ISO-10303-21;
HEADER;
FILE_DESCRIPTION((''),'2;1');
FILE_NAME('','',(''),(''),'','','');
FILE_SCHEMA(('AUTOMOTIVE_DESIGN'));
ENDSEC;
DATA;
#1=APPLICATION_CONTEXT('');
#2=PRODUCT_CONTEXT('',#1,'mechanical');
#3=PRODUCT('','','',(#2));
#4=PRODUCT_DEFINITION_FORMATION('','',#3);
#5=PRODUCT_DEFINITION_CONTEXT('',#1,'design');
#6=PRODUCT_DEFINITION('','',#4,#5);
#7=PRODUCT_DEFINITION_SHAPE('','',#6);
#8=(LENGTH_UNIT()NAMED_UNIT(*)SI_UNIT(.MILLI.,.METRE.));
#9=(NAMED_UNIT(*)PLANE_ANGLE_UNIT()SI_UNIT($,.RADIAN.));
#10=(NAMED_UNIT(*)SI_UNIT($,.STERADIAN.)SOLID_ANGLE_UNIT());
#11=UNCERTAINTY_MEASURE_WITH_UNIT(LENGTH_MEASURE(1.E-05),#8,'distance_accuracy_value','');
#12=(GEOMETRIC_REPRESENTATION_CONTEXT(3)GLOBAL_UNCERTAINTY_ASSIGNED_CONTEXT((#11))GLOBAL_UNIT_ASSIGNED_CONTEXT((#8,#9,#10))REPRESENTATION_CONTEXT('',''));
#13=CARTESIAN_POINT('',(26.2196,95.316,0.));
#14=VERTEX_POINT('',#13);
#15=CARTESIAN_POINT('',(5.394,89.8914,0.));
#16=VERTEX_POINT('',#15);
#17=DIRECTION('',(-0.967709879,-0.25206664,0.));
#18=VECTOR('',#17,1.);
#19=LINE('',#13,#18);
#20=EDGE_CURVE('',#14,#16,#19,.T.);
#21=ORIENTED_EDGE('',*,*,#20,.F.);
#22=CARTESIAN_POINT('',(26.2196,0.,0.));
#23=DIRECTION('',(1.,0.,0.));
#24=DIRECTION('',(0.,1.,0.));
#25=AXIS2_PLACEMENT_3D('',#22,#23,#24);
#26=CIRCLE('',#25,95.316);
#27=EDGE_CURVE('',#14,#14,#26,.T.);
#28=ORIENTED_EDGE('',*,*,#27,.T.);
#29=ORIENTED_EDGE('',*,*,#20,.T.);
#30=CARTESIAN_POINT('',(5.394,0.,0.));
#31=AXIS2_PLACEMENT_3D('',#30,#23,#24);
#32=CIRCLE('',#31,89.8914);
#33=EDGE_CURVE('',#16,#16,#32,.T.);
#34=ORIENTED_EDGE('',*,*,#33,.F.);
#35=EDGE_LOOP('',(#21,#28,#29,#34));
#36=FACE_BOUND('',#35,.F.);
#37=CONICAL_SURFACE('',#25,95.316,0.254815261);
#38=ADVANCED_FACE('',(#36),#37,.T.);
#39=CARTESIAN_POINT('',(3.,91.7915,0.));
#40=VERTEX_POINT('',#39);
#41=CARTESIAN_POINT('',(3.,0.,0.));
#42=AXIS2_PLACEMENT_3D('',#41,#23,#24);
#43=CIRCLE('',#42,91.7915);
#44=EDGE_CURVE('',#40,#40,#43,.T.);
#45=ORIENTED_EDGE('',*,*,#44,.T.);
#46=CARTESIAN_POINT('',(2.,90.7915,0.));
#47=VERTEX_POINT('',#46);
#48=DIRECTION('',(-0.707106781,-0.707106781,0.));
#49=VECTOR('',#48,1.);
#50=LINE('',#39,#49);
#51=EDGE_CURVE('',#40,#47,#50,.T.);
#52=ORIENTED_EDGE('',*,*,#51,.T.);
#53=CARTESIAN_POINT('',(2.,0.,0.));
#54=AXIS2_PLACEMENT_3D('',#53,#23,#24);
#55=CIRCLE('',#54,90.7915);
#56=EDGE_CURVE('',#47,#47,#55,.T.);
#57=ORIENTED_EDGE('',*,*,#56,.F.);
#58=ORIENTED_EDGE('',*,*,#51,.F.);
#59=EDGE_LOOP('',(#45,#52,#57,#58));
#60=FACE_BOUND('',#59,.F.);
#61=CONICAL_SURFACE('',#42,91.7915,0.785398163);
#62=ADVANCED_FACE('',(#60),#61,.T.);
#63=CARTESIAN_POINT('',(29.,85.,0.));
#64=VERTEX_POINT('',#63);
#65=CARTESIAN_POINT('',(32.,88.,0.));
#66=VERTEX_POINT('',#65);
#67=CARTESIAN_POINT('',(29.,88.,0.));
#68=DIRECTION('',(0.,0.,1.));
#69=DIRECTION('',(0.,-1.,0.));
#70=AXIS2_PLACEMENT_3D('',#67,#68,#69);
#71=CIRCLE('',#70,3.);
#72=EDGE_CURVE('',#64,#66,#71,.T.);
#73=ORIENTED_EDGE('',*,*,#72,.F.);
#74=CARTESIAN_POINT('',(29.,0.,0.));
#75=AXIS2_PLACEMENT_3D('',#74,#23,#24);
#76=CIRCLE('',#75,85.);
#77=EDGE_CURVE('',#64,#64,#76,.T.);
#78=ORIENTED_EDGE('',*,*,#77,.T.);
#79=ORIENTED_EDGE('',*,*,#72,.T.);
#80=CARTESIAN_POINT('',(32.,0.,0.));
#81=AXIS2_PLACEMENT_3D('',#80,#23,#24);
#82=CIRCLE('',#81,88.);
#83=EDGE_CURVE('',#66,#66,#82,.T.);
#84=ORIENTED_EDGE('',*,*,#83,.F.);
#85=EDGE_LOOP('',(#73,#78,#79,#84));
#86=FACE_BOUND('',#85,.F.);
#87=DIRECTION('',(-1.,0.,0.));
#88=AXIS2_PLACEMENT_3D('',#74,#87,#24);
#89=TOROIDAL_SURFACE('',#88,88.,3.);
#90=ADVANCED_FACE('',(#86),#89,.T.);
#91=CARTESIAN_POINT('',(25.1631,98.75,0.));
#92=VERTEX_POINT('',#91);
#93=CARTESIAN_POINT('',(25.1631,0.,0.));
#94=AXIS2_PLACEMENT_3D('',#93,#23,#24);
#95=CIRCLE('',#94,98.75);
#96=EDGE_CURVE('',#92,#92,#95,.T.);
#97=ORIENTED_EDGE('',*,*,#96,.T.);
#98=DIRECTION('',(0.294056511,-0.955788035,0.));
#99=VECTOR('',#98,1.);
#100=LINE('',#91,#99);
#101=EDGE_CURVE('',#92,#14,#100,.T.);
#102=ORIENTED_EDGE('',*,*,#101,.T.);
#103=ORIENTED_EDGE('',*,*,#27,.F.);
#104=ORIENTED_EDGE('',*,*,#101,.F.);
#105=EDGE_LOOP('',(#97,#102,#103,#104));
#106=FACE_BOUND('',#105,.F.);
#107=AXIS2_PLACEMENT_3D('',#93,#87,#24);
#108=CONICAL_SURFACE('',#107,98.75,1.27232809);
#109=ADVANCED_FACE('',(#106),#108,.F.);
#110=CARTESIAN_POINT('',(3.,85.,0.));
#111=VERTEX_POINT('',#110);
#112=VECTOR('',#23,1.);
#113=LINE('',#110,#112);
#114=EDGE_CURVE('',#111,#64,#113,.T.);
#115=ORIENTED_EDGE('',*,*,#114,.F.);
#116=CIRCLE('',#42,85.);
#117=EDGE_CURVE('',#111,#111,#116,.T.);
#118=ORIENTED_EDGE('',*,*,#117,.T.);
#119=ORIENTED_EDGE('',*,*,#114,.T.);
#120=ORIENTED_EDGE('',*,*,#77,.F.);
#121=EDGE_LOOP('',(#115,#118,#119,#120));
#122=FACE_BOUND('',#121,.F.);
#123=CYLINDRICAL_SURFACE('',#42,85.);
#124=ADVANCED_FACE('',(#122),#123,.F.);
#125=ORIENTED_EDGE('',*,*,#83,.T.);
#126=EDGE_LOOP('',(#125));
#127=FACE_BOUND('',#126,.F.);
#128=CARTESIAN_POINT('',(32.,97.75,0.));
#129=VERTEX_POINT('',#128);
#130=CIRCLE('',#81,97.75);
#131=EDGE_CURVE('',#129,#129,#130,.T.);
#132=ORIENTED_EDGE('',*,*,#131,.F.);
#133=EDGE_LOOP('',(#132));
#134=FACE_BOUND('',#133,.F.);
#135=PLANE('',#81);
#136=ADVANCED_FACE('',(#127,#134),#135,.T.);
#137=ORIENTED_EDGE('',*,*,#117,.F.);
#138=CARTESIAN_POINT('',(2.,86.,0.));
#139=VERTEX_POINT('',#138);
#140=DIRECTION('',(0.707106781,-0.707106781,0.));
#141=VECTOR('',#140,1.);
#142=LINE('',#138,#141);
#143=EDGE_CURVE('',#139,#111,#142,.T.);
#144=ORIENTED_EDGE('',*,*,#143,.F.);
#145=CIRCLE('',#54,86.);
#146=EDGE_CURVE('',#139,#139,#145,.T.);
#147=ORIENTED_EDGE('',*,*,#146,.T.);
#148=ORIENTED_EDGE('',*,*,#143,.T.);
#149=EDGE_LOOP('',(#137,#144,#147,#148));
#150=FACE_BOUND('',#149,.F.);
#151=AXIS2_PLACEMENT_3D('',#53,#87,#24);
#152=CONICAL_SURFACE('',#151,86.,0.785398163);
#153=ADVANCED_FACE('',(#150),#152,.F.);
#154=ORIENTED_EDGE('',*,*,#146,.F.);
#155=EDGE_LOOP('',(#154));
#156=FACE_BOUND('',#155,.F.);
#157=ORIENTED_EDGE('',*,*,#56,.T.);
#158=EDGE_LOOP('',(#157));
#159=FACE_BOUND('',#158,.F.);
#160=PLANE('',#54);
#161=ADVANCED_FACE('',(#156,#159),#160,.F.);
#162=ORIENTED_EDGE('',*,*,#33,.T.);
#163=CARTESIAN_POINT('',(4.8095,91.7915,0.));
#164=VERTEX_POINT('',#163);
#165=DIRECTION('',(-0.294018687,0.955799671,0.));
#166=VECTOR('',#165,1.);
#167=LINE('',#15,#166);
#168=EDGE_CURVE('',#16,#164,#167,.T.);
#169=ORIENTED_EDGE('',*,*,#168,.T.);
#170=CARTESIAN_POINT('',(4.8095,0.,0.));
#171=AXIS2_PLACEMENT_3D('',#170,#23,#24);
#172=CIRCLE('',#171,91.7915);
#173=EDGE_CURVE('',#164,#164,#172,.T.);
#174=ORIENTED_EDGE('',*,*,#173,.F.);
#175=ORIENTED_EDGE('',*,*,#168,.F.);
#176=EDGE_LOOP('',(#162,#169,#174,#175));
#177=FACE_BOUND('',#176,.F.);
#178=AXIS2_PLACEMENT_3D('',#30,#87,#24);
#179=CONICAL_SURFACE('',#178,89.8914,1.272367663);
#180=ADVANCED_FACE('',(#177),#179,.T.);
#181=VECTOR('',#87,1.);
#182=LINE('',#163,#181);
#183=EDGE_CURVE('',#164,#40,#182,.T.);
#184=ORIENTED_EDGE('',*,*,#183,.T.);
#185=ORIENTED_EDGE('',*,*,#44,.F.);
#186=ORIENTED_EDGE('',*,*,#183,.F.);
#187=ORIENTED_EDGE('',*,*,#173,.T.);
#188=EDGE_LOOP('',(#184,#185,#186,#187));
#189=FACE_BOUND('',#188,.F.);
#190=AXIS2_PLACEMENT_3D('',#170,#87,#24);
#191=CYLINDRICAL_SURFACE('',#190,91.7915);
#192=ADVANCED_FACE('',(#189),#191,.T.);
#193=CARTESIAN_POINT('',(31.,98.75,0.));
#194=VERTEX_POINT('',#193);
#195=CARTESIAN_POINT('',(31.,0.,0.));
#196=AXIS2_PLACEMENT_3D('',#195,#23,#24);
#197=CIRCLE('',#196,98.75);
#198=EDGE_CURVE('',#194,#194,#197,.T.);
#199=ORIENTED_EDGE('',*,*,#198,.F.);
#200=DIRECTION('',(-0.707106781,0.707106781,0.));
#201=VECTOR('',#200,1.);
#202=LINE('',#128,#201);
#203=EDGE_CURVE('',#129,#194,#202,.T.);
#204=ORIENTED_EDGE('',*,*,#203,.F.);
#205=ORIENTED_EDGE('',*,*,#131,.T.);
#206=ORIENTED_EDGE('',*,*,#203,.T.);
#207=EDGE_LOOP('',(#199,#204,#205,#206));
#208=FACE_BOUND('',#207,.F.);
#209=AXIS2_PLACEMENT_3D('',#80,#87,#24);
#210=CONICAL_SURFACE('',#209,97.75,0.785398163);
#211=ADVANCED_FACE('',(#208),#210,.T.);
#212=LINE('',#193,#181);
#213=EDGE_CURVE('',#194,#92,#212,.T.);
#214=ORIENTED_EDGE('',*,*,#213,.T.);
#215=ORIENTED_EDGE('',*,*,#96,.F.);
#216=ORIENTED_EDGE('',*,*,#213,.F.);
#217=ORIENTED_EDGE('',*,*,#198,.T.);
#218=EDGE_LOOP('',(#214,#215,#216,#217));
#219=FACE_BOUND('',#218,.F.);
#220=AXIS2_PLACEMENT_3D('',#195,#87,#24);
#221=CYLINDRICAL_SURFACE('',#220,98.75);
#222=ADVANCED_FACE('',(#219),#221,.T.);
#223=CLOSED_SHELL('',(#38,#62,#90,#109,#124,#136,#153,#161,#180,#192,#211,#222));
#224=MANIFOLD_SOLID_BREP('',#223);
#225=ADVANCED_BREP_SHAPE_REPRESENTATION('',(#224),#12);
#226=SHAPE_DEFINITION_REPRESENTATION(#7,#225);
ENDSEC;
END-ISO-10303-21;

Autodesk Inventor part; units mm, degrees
sketch "Sketch_1" plane through (0, 0, 0) normal (0, 0, 1) x (1, 0, 0)
  line L0 (32, 0) -> (-32, 0)
  line L1 (2, 86) -> (3, 85)
  line L2 (3, 85) -> (29, 85)
  arc A0 (29, 85) -> (32, 88) centre (29, 88) ccw
  line L3 (32, 88) -> (32, 97.75)
  line L4 (32, 97.75) -> (31, 98.75)
  line L5 (31, 98.75) -> (25.1631, 98.75)
  line L6 (25.1631, 98.75) -> (26.2196, 95.316)
  line L7 (26.2196, 95.316) -> (5.394, 89.8914)
  line L8 (5.394, 89.8914) -> (4.8095, 91.7915)
  line L9 (4.8095, 91.7915) -> (3, 91.7915)
  line L10 (3, 91.7915) -> (2, 90.7915)
  line L11 (2, 90.7915) -> (2, 86)
revolve "Revolution1" add sketch "Sketch_1" angle 360 about axis through (32, 0, 0) along (1, 0, 0)
ref_plane "inner_ring_XY" through (0, 0, 0) normal (0, 0, 1) x (1, 0, 0)
ref_plane "inner_ring_YZ" through (0, 0, 0) normal (1, 0, 0) x (0, 1, 0)
ref_plane "inner_ring_ZX" through (0, 0, 0) normal (0, 1, 0) x (0, 0, 1)
properties part number "T4DB 170_ir"
